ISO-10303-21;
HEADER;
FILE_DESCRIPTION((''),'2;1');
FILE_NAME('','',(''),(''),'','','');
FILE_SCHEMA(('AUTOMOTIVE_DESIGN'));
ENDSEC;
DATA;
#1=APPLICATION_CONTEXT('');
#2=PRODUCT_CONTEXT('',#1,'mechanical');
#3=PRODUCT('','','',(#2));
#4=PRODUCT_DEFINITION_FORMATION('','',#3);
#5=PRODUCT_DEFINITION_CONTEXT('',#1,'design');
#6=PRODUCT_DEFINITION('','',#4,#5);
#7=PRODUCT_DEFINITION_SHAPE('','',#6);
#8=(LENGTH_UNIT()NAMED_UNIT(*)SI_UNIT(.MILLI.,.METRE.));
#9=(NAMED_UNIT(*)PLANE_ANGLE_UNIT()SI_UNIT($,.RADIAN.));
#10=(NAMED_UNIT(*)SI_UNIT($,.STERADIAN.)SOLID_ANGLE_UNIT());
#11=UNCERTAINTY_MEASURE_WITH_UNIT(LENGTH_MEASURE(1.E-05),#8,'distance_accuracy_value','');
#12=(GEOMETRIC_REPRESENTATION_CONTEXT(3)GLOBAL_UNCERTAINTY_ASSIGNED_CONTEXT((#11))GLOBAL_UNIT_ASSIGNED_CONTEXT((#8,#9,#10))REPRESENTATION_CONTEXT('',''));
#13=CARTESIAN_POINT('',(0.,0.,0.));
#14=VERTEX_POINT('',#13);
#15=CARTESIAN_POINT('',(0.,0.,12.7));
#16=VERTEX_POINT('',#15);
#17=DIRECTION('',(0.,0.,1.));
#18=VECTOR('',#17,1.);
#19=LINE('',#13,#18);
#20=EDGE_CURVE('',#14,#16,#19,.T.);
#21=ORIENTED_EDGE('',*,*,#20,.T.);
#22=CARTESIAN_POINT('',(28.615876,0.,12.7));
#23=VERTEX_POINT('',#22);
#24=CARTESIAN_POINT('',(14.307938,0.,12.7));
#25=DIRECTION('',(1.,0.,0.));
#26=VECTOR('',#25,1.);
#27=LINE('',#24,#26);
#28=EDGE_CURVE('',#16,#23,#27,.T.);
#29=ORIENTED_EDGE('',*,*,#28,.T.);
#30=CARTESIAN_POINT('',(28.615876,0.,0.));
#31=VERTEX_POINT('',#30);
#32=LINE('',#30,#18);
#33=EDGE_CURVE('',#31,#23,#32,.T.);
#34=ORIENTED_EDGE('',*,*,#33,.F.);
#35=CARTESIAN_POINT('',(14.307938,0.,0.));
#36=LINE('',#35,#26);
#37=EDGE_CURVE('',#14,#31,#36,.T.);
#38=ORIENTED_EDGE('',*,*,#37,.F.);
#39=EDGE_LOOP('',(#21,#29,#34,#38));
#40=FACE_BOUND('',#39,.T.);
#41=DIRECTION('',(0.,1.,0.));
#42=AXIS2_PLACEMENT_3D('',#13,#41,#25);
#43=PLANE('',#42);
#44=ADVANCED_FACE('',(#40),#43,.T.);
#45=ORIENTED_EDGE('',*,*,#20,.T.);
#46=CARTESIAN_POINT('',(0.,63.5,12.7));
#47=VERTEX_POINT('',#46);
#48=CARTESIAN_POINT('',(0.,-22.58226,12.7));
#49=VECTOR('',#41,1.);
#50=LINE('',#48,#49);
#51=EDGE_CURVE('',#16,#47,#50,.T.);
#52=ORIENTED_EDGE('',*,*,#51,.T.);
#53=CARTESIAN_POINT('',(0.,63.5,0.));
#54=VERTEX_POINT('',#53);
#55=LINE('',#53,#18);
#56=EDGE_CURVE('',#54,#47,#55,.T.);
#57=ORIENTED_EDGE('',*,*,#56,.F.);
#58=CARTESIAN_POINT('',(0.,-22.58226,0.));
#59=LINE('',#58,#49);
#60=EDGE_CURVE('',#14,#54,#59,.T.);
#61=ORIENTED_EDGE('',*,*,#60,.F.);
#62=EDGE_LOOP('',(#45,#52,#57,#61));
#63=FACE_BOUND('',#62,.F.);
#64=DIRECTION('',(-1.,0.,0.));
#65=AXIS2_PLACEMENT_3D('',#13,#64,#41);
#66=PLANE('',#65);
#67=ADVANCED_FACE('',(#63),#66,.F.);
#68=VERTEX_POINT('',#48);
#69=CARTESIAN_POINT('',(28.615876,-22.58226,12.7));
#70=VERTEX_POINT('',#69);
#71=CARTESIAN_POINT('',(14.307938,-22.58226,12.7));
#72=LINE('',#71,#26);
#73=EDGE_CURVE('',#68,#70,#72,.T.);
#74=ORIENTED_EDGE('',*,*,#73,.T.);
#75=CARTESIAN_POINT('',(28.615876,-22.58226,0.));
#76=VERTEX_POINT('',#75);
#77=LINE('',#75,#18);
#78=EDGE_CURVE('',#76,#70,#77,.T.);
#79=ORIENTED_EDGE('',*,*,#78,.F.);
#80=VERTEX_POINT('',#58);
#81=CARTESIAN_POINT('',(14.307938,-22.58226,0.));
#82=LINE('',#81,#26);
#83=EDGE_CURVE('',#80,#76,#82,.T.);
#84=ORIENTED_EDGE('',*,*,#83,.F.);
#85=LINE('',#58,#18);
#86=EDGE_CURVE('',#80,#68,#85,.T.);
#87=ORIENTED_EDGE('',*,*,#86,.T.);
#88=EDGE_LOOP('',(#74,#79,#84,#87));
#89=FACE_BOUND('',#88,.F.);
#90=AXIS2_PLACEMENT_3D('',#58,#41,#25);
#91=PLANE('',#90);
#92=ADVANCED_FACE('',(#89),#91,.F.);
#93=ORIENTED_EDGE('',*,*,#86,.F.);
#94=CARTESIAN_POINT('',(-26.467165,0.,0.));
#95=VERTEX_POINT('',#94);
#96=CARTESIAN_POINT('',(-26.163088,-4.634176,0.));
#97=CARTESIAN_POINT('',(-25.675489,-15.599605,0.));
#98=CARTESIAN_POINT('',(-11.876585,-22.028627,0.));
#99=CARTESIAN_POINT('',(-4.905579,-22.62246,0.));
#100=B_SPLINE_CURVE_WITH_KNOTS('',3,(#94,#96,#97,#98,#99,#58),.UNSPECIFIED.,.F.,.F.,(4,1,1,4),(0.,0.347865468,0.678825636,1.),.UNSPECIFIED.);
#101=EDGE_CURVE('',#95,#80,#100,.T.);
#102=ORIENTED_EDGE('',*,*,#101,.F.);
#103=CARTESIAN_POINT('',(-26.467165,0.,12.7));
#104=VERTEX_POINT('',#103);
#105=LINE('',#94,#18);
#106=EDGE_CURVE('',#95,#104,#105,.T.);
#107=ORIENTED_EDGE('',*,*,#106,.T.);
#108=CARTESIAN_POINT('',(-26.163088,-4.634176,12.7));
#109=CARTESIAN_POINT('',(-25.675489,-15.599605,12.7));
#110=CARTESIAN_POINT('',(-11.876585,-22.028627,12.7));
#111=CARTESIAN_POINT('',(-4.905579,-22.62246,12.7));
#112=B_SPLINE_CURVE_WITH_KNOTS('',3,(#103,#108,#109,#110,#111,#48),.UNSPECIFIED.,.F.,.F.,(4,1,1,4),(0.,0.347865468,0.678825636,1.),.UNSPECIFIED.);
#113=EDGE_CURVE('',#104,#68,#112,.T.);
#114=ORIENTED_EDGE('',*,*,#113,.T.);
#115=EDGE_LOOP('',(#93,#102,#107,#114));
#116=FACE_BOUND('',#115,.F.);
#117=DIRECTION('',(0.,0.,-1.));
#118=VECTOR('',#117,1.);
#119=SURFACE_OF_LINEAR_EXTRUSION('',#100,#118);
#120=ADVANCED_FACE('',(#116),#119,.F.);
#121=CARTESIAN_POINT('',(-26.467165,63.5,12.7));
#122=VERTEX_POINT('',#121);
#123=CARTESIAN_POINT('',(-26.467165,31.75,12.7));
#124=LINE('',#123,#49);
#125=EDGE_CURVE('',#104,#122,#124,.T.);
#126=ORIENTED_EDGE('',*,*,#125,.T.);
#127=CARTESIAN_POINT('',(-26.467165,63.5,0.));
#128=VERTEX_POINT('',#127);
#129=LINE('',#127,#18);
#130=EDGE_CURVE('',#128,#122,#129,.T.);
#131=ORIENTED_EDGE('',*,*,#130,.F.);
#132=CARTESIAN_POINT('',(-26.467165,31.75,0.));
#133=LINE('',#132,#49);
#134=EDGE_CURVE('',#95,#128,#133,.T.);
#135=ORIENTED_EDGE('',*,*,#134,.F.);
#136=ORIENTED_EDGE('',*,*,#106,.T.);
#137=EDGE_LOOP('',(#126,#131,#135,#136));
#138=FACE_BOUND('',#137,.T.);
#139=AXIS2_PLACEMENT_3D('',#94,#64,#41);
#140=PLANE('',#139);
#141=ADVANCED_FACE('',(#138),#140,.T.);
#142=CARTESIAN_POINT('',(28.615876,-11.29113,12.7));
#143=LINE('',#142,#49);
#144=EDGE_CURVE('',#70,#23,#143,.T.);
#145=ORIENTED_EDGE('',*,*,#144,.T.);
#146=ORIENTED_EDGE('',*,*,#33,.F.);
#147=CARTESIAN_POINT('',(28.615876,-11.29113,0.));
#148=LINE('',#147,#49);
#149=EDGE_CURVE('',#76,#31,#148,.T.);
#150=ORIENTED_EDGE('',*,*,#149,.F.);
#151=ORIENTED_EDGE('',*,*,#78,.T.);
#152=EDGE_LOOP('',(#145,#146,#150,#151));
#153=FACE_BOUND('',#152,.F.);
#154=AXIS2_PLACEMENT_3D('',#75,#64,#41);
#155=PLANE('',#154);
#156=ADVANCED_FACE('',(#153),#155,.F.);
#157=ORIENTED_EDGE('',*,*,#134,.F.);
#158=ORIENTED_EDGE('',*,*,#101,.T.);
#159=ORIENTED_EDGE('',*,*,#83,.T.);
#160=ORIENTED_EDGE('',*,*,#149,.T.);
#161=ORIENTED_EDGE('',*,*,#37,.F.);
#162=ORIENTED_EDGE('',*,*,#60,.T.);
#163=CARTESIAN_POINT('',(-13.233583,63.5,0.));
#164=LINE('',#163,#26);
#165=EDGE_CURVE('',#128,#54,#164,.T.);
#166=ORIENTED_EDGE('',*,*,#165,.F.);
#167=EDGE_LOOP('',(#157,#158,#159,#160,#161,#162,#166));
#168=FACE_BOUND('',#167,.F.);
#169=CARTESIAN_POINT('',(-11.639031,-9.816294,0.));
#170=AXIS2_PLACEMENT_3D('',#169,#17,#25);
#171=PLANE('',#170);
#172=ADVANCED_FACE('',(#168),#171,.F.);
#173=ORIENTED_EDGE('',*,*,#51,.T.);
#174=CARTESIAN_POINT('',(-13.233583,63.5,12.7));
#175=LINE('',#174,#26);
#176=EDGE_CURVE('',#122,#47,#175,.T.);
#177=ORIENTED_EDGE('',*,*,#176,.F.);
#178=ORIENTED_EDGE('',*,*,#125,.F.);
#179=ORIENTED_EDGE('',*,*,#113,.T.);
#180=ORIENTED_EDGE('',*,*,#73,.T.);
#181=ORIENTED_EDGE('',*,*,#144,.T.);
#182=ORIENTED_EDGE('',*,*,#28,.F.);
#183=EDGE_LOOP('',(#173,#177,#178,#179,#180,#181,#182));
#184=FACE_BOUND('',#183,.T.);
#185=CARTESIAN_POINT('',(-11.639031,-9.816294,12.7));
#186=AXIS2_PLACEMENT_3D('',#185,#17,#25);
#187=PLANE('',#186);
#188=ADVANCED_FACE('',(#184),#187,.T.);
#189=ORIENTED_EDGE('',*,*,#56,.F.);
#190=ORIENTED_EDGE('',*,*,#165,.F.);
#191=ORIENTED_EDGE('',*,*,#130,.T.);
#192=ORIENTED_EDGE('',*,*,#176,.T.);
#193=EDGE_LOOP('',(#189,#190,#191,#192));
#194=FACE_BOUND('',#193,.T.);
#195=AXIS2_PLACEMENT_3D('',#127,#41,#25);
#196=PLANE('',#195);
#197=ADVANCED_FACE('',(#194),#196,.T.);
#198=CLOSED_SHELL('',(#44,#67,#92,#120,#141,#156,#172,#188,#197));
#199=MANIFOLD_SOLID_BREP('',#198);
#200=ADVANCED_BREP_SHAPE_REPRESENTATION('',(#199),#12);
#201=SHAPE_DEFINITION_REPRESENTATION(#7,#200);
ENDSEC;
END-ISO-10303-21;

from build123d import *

# Parameters (mm, degrees)
F0_W     = 26.4671653574
F0_H     = 63.5
F0_W_2   = 28.6158758655
F0_H_2   = 22.5822602804
F1_DEPTH = 12.7


with BuildPart() as f1:
    # F0 (on Top) → F1 (new body)
    with BuildSketch(Plane.XY):
        with BuildLine():
            Line((0, -22.5822602804), (0, 0))
            Line((0, 0), (-26.4671653574, 0))
            add(Edge.make_bspline(
                [(-26.4671653574, 0), (-26.1630881045, -4.6341759472), (-25.6754890937, -15.5996049321), (-11.8765848614, -22.0286266603), (-4.90557852, -22.6224596747), (0, -22.5822602804)],
                knots=[0, 0, 0, 0, 0.3478654684, 0.6788256362, 1, 1, 1, 1], degree=3))
        make_face()
        with Locations((-13.2335826787, 31.75)):
            Rectangle(F0_W, F0_H)
        with Locations((14.3079379328, -11.2911301402)):
            Rectangle(F0_W_2, F0_H_2)
    extrude(amount=F1_DEPTH)


solid = f1.part
